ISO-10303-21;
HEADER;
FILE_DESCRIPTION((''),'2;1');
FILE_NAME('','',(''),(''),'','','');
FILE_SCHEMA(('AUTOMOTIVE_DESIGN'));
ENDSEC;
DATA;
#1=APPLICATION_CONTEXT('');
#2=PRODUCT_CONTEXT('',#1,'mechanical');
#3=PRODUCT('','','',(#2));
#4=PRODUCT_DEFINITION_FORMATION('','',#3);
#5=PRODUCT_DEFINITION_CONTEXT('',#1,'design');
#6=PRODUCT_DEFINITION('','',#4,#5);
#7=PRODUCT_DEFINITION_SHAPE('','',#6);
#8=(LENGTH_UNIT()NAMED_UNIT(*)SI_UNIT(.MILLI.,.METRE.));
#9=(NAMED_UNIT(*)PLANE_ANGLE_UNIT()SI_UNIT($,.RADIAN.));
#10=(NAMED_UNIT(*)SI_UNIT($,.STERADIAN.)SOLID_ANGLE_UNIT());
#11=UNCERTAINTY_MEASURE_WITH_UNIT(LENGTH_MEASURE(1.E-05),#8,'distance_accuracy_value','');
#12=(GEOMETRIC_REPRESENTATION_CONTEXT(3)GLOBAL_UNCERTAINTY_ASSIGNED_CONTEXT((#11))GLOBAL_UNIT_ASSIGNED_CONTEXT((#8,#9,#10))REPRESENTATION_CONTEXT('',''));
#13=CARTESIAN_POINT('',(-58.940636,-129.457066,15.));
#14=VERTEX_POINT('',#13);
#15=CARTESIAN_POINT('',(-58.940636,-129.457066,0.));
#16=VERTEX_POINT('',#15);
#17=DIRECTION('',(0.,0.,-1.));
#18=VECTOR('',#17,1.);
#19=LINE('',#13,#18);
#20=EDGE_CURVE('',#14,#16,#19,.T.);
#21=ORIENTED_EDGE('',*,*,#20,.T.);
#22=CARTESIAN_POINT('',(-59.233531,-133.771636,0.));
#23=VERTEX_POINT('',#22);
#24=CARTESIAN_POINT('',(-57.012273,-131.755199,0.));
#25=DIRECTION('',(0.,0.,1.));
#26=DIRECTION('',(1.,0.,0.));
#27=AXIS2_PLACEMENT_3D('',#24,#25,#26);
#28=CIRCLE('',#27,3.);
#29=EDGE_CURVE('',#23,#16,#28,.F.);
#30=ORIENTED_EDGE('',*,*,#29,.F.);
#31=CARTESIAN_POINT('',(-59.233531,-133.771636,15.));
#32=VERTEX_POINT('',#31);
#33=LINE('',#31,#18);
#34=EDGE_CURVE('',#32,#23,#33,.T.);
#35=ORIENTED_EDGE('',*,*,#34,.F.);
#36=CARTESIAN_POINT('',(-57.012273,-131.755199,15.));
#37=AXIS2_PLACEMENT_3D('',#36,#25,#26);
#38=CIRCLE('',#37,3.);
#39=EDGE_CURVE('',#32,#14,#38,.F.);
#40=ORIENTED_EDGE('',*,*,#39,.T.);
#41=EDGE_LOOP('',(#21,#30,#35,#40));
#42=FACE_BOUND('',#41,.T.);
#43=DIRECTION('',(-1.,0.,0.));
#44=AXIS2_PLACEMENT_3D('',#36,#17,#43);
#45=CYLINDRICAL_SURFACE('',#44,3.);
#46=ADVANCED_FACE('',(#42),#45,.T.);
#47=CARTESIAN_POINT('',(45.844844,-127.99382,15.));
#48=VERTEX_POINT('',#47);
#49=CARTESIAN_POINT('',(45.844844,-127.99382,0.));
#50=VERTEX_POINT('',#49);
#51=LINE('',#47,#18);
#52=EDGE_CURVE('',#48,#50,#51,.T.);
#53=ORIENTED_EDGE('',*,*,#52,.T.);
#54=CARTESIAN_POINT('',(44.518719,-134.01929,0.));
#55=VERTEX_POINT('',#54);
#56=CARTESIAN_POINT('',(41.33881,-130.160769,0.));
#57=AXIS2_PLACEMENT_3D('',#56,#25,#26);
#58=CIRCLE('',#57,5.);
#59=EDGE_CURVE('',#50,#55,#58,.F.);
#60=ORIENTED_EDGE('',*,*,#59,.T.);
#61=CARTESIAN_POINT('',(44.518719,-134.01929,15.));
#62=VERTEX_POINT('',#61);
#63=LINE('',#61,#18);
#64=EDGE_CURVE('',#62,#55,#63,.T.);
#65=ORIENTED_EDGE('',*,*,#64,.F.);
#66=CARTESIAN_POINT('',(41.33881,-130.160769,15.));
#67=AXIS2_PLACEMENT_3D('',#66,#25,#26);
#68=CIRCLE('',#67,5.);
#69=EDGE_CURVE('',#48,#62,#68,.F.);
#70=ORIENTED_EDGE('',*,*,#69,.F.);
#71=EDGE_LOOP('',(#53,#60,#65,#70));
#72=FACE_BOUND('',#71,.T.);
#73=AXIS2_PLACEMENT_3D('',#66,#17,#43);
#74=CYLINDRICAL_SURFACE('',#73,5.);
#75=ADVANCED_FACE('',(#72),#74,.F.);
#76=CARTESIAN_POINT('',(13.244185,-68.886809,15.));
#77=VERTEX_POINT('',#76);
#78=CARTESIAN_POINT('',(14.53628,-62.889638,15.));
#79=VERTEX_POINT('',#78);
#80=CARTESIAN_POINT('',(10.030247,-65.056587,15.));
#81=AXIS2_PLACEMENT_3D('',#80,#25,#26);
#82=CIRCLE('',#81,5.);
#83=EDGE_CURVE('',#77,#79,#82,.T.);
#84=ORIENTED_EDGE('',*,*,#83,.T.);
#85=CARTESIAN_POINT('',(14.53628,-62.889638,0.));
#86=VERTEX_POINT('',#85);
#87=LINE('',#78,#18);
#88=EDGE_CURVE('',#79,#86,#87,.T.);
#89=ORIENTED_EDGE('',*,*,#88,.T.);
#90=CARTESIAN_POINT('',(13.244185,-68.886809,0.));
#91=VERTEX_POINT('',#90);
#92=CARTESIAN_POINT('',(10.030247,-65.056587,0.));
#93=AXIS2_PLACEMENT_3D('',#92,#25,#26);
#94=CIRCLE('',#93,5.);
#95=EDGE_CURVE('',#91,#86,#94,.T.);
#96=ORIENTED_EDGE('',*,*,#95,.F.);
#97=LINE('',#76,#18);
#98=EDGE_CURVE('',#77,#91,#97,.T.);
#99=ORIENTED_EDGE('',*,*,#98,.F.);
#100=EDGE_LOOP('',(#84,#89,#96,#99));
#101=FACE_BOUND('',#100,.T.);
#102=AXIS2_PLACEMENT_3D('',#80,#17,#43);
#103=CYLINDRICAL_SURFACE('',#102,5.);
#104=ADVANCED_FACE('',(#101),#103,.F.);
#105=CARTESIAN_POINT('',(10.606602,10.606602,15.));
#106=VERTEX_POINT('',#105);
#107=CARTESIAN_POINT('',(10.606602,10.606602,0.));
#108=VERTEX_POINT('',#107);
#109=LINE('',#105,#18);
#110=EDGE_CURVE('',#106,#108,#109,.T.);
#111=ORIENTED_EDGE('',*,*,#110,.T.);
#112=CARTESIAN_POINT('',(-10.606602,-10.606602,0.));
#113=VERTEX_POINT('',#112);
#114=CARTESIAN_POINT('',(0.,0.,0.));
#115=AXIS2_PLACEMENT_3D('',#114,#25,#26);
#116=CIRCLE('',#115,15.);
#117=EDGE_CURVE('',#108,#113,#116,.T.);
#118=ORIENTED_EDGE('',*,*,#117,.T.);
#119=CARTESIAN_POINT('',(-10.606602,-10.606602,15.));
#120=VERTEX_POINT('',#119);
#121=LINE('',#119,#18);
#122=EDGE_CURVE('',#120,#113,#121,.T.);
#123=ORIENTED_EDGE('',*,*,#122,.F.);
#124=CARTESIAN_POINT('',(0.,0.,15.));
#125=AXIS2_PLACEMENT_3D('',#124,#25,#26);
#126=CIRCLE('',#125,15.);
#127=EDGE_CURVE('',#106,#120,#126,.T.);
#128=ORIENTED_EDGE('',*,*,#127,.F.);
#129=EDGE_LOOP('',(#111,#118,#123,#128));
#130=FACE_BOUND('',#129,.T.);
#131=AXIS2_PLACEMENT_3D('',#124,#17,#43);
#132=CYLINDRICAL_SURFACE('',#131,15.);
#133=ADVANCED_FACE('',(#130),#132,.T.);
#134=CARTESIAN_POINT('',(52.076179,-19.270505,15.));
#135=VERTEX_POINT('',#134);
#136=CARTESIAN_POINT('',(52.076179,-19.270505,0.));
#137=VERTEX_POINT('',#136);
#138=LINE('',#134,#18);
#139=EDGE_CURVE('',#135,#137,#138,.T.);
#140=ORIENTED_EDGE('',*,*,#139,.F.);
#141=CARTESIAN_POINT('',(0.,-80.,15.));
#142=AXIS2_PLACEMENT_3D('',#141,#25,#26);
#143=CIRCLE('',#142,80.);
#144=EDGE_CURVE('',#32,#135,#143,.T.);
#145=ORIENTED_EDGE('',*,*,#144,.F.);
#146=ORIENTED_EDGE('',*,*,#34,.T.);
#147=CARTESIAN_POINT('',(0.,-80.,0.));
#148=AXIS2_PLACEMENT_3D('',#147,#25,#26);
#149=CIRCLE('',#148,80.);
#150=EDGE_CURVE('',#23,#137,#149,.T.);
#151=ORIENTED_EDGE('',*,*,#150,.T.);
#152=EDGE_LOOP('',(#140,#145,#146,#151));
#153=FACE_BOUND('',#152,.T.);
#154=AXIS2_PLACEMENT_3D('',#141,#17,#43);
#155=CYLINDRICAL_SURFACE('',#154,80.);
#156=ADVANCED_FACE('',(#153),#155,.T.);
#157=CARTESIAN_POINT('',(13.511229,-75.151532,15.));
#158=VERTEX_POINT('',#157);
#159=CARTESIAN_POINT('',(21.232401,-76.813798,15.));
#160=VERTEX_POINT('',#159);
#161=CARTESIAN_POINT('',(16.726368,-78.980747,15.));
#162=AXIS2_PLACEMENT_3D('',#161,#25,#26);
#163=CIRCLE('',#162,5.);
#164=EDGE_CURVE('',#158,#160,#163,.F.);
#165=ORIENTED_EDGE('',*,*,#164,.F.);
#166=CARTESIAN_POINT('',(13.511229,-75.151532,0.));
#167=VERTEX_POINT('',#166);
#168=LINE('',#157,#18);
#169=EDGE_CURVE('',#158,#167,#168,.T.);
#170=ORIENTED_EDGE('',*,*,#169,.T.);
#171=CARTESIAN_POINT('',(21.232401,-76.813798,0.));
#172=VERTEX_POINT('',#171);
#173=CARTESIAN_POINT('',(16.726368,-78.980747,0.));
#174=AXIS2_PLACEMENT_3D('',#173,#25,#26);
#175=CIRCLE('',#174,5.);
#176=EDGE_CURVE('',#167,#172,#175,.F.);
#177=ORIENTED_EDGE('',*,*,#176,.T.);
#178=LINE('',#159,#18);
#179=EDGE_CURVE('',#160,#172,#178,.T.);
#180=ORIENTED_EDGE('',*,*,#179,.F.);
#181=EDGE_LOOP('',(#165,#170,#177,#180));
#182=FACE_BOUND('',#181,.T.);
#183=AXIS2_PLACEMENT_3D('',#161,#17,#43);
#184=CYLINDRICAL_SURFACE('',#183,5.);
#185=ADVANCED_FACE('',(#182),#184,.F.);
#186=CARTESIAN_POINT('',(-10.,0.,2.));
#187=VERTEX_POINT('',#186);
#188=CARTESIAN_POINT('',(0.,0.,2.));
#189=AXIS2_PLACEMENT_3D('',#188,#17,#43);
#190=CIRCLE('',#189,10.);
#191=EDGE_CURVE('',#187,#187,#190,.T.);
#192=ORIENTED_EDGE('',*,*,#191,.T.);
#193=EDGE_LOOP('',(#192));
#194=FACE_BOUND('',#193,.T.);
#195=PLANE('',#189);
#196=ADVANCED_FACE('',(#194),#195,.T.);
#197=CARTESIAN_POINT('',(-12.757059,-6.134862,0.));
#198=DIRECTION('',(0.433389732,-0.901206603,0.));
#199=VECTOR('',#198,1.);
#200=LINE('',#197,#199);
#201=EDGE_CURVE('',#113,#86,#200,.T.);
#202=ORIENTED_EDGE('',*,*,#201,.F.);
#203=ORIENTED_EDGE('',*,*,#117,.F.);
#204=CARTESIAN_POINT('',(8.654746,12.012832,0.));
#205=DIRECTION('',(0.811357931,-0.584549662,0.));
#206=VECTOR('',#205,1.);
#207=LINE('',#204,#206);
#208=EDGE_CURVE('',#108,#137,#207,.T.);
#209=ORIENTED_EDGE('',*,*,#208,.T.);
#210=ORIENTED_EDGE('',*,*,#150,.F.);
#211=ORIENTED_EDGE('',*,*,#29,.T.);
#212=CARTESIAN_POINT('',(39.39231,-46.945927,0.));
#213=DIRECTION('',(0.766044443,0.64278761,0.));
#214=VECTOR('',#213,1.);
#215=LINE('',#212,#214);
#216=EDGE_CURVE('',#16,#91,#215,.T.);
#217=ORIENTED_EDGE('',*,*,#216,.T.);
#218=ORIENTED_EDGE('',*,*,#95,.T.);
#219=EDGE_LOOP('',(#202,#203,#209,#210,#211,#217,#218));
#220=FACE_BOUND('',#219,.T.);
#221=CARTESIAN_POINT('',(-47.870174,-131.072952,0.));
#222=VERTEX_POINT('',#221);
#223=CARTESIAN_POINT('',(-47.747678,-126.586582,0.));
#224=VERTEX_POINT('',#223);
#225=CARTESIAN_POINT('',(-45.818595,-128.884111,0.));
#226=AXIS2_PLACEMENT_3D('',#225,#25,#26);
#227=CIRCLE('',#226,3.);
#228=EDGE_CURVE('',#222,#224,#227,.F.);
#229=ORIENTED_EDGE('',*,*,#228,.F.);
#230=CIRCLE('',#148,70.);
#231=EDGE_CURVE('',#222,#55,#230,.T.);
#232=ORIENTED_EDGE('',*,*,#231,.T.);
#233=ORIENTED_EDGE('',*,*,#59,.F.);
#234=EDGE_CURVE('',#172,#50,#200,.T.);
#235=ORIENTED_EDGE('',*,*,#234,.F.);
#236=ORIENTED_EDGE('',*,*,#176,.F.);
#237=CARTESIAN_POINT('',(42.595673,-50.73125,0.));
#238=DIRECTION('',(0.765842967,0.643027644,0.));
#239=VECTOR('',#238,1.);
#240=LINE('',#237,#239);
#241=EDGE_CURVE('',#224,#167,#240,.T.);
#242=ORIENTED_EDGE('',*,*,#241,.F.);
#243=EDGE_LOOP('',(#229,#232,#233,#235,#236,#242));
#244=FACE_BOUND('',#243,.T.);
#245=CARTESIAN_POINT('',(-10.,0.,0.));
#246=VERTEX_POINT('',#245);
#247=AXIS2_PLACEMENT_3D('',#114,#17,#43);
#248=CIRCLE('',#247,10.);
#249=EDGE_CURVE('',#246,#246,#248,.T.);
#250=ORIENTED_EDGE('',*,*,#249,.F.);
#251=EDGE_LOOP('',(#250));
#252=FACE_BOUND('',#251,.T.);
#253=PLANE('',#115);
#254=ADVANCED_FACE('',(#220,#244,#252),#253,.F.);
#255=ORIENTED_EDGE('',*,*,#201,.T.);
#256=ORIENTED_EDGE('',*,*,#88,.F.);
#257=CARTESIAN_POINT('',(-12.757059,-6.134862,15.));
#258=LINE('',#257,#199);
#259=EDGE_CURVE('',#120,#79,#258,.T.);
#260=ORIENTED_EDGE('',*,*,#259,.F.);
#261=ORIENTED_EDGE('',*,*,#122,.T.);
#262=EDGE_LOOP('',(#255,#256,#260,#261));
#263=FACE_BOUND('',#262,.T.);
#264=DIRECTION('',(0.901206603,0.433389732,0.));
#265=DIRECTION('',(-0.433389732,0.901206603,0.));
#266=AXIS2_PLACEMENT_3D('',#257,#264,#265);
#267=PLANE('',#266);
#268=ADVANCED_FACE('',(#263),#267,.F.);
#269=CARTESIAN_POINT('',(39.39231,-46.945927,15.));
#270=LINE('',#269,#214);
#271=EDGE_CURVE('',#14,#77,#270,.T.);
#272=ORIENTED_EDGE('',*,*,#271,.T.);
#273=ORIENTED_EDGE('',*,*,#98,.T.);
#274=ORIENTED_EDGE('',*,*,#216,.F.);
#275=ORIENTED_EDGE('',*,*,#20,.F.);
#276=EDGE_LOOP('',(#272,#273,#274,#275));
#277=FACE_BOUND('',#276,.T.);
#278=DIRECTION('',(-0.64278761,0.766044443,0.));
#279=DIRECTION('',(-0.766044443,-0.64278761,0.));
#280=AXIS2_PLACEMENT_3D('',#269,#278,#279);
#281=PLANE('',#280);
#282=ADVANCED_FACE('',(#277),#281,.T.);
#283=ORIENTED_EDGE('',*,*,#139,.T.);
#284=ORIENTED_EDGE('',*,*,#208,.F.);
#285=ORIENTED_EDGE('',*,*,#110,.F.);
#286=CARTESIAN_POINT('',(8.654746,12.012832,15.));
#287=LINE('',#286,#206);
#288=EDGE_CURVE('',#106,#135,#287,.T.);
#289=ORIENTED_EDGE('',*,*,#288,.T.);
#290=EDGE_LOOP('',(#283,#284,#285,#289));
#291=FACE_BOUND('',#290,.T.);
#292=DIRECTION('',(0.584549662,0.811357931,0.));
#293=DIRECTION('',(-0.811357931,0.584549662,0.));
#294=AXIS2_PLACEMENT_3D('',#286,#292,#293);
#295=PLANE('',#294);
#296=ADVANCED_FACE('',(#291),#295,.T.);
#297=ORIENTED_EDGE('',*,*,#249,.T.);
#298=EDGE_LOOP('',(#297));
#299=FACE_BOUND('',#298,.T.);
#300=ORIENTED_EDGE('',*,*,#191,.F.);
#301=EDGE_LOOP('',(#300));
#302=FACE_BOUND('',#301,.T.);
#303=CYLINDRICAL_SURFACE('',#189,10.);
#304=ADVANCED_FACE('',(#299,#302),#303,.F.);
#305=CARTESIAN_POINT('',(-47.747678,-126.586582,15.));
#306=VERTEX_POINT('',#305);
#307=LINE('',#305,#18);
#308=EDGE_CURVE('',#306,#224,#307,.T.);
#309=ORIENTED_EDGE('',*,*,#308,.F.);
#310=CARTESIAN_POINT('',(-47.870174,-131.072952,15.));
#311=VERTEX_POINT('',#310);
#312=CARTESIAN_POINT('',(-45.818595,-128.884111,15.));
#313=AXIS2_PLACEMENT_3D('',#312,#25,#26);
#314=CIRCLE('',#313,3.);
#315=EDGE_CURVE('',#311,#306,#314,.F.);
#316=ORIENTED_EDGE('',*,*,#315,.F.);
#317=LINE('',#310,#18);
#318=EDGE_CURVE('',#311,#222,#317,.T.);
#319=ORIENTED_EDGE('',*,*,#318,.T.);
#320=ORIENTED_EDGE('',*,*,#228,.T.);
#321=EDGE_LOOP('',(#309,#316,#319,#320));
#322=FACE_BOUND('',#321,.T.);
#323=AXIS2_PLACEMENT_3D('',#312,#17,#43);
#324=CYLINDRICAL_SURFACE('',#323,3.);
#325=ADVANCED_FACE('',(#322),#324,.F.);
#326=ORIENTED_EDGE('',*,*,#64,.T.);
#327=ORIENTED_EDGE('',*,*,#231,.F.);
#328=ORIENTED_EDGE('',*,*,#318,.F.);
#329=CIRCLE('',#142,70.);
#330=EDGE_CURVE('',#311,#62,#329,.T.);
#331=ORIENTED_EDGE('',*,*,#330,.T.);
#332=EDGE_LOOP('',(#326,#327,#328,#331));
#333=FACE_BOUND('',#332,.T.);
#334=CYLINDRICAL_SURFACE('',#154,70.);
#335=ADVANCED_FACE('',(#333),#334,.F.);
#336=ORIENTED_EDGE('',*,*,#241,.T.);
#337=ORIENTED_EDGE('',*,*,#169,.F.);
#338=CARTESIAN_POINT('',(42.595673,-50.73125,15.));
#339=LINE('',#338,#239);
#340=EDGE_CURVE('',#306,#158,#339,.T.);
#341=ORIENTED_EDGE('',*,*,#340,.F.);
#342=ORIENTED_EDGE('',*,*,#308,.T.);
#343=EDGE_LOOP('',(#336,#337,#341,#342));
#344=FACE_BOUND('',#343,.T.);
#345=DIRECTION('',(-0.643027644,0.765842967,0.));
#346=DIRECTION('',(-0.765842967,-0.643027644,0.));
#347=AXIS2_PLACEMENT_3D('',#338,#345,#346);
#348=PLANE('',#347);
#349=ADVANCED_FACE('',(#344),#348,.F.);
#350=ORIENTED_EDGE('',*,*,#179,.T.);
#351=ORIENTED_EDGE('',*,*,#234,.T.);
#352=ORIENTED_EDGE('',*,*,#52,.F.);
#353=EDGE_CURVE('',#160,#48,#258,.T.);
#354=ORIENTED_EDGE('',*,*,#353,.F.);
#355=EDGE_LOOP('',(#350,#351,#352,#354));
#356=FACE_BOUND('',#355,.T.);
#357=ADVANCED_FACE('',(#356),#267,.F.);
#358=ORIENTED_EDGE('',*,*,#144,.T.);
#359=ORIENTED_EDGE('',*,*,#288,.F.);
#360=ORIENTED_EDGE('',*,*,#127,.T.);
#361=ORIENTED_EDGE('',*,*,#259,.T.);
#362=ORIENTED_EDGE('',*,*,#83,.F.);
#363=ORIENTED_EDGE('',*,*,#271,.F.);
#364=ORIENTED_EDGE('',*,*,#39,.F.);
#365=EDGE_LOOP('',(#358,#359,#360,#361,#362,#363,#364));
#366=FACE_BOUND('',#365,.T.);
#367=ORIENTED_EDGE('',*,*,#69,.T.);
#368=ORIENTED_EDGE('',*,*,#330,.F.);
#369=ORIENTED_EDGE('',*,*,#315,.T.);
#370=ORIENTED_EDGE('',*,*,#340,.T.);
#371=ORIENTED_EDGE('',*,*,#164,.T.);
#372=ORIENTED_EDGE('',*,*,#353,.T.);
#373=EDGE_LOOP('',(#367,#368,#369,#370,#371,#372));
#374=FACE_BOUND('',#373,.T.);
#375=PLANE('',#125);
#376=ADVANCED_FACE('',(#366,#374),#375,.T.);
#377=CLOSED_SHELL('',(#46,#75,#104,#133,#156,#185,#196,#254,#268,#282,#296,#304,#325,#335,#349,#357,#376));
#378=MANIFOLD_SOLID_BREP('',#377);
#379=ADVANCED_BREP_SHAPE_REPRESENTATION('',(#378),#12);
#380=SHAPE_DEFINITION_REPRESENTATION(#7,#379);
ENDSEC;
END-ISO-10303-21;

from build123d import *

# Parameters (mm, degrees)
EXTRUDE_1_DEPTH     = 15
SKETCH_9_R          = 10
CUT_EXTRUDE_3_DEPTH = 2


with BuildPart() as part:
    # ｽｹｯﾁ4 → ﾎﾞｽ - 押し出し1 (new body)
    with BuildSketch(Plane.XY):
        with BuildLine():
            Line((-53.623111018, -124.995132678), (-58.940636287, -129.45706617))
            ThreePointArc((-58.940636287, -129.45706617), (-60.005384698, -131.552012131), (-59.233530865, -133.771635843))
            ThreePointArc((-59.233530865, -133.771635843), (57.362306223, -135.763481103), (52.076178918, -19.270504783))
            Line((52.076178918, -19.270504783), (10.606601718, 10.606601718))
            ThreePointArc((10.606601718, 10.606601718), (-10.606601718, 10.606601718), (-10.606601718, -10.606601718))
            Line((-10.606601718, -10.606601718), (14.536280154, -62.889638219))
            ThreePointArc((14.536280154, -62.889638219), (14.918089499, -66.109676181), (13.244185189, -68.886809092))
            Line((13.244185189, -68.886809092), (-53.623111018, -124.995132678))
        make_face()
        with BuildLine():
            Line((21.232400696, -76.813798404), (45.844843506, -127.993820346))
            ThreePointArc((45.844843506, -127.993820346), (46.221944165, -131.235480845), (44.518718993, -134.019289696))
            ThreePointArc((44.518718993, -134.019289696), (-2.231208213, -149.964431749), (-47.870174388, -131.072951785))
            ThreePointArc((-47.870174388, -131.072951785), (-48.817477846, -128.802229421), (-47.747678417, -126.586582094))
            Line((-47.747678417, -126.586582094), (13.511229465, -75.151532228))
            ThreePointArc((13.511229465, -75.151532228), (17.77869109, -74.092739753), (21.232400696, -76.813798404))
        make_face(mode=Mode.SUBTRACT)
    extrude(amount=EXTRUDE_1_DEPTH)

    # ｽｹｯﾁ9 → ｶｯﾄ - 押し出し3 (cut)
    with BuildSketch(Plane(origin=(0, 0, 0), x_dir=(-1, 0, 0), z_dir=(0, 0, -1))):
        Circle(SKETCH_9_R)
    extrude(amount=-CUT_EXTRUDE_3_DEPTH, mode=Mode.SUBTRACT)


solid = part.part
